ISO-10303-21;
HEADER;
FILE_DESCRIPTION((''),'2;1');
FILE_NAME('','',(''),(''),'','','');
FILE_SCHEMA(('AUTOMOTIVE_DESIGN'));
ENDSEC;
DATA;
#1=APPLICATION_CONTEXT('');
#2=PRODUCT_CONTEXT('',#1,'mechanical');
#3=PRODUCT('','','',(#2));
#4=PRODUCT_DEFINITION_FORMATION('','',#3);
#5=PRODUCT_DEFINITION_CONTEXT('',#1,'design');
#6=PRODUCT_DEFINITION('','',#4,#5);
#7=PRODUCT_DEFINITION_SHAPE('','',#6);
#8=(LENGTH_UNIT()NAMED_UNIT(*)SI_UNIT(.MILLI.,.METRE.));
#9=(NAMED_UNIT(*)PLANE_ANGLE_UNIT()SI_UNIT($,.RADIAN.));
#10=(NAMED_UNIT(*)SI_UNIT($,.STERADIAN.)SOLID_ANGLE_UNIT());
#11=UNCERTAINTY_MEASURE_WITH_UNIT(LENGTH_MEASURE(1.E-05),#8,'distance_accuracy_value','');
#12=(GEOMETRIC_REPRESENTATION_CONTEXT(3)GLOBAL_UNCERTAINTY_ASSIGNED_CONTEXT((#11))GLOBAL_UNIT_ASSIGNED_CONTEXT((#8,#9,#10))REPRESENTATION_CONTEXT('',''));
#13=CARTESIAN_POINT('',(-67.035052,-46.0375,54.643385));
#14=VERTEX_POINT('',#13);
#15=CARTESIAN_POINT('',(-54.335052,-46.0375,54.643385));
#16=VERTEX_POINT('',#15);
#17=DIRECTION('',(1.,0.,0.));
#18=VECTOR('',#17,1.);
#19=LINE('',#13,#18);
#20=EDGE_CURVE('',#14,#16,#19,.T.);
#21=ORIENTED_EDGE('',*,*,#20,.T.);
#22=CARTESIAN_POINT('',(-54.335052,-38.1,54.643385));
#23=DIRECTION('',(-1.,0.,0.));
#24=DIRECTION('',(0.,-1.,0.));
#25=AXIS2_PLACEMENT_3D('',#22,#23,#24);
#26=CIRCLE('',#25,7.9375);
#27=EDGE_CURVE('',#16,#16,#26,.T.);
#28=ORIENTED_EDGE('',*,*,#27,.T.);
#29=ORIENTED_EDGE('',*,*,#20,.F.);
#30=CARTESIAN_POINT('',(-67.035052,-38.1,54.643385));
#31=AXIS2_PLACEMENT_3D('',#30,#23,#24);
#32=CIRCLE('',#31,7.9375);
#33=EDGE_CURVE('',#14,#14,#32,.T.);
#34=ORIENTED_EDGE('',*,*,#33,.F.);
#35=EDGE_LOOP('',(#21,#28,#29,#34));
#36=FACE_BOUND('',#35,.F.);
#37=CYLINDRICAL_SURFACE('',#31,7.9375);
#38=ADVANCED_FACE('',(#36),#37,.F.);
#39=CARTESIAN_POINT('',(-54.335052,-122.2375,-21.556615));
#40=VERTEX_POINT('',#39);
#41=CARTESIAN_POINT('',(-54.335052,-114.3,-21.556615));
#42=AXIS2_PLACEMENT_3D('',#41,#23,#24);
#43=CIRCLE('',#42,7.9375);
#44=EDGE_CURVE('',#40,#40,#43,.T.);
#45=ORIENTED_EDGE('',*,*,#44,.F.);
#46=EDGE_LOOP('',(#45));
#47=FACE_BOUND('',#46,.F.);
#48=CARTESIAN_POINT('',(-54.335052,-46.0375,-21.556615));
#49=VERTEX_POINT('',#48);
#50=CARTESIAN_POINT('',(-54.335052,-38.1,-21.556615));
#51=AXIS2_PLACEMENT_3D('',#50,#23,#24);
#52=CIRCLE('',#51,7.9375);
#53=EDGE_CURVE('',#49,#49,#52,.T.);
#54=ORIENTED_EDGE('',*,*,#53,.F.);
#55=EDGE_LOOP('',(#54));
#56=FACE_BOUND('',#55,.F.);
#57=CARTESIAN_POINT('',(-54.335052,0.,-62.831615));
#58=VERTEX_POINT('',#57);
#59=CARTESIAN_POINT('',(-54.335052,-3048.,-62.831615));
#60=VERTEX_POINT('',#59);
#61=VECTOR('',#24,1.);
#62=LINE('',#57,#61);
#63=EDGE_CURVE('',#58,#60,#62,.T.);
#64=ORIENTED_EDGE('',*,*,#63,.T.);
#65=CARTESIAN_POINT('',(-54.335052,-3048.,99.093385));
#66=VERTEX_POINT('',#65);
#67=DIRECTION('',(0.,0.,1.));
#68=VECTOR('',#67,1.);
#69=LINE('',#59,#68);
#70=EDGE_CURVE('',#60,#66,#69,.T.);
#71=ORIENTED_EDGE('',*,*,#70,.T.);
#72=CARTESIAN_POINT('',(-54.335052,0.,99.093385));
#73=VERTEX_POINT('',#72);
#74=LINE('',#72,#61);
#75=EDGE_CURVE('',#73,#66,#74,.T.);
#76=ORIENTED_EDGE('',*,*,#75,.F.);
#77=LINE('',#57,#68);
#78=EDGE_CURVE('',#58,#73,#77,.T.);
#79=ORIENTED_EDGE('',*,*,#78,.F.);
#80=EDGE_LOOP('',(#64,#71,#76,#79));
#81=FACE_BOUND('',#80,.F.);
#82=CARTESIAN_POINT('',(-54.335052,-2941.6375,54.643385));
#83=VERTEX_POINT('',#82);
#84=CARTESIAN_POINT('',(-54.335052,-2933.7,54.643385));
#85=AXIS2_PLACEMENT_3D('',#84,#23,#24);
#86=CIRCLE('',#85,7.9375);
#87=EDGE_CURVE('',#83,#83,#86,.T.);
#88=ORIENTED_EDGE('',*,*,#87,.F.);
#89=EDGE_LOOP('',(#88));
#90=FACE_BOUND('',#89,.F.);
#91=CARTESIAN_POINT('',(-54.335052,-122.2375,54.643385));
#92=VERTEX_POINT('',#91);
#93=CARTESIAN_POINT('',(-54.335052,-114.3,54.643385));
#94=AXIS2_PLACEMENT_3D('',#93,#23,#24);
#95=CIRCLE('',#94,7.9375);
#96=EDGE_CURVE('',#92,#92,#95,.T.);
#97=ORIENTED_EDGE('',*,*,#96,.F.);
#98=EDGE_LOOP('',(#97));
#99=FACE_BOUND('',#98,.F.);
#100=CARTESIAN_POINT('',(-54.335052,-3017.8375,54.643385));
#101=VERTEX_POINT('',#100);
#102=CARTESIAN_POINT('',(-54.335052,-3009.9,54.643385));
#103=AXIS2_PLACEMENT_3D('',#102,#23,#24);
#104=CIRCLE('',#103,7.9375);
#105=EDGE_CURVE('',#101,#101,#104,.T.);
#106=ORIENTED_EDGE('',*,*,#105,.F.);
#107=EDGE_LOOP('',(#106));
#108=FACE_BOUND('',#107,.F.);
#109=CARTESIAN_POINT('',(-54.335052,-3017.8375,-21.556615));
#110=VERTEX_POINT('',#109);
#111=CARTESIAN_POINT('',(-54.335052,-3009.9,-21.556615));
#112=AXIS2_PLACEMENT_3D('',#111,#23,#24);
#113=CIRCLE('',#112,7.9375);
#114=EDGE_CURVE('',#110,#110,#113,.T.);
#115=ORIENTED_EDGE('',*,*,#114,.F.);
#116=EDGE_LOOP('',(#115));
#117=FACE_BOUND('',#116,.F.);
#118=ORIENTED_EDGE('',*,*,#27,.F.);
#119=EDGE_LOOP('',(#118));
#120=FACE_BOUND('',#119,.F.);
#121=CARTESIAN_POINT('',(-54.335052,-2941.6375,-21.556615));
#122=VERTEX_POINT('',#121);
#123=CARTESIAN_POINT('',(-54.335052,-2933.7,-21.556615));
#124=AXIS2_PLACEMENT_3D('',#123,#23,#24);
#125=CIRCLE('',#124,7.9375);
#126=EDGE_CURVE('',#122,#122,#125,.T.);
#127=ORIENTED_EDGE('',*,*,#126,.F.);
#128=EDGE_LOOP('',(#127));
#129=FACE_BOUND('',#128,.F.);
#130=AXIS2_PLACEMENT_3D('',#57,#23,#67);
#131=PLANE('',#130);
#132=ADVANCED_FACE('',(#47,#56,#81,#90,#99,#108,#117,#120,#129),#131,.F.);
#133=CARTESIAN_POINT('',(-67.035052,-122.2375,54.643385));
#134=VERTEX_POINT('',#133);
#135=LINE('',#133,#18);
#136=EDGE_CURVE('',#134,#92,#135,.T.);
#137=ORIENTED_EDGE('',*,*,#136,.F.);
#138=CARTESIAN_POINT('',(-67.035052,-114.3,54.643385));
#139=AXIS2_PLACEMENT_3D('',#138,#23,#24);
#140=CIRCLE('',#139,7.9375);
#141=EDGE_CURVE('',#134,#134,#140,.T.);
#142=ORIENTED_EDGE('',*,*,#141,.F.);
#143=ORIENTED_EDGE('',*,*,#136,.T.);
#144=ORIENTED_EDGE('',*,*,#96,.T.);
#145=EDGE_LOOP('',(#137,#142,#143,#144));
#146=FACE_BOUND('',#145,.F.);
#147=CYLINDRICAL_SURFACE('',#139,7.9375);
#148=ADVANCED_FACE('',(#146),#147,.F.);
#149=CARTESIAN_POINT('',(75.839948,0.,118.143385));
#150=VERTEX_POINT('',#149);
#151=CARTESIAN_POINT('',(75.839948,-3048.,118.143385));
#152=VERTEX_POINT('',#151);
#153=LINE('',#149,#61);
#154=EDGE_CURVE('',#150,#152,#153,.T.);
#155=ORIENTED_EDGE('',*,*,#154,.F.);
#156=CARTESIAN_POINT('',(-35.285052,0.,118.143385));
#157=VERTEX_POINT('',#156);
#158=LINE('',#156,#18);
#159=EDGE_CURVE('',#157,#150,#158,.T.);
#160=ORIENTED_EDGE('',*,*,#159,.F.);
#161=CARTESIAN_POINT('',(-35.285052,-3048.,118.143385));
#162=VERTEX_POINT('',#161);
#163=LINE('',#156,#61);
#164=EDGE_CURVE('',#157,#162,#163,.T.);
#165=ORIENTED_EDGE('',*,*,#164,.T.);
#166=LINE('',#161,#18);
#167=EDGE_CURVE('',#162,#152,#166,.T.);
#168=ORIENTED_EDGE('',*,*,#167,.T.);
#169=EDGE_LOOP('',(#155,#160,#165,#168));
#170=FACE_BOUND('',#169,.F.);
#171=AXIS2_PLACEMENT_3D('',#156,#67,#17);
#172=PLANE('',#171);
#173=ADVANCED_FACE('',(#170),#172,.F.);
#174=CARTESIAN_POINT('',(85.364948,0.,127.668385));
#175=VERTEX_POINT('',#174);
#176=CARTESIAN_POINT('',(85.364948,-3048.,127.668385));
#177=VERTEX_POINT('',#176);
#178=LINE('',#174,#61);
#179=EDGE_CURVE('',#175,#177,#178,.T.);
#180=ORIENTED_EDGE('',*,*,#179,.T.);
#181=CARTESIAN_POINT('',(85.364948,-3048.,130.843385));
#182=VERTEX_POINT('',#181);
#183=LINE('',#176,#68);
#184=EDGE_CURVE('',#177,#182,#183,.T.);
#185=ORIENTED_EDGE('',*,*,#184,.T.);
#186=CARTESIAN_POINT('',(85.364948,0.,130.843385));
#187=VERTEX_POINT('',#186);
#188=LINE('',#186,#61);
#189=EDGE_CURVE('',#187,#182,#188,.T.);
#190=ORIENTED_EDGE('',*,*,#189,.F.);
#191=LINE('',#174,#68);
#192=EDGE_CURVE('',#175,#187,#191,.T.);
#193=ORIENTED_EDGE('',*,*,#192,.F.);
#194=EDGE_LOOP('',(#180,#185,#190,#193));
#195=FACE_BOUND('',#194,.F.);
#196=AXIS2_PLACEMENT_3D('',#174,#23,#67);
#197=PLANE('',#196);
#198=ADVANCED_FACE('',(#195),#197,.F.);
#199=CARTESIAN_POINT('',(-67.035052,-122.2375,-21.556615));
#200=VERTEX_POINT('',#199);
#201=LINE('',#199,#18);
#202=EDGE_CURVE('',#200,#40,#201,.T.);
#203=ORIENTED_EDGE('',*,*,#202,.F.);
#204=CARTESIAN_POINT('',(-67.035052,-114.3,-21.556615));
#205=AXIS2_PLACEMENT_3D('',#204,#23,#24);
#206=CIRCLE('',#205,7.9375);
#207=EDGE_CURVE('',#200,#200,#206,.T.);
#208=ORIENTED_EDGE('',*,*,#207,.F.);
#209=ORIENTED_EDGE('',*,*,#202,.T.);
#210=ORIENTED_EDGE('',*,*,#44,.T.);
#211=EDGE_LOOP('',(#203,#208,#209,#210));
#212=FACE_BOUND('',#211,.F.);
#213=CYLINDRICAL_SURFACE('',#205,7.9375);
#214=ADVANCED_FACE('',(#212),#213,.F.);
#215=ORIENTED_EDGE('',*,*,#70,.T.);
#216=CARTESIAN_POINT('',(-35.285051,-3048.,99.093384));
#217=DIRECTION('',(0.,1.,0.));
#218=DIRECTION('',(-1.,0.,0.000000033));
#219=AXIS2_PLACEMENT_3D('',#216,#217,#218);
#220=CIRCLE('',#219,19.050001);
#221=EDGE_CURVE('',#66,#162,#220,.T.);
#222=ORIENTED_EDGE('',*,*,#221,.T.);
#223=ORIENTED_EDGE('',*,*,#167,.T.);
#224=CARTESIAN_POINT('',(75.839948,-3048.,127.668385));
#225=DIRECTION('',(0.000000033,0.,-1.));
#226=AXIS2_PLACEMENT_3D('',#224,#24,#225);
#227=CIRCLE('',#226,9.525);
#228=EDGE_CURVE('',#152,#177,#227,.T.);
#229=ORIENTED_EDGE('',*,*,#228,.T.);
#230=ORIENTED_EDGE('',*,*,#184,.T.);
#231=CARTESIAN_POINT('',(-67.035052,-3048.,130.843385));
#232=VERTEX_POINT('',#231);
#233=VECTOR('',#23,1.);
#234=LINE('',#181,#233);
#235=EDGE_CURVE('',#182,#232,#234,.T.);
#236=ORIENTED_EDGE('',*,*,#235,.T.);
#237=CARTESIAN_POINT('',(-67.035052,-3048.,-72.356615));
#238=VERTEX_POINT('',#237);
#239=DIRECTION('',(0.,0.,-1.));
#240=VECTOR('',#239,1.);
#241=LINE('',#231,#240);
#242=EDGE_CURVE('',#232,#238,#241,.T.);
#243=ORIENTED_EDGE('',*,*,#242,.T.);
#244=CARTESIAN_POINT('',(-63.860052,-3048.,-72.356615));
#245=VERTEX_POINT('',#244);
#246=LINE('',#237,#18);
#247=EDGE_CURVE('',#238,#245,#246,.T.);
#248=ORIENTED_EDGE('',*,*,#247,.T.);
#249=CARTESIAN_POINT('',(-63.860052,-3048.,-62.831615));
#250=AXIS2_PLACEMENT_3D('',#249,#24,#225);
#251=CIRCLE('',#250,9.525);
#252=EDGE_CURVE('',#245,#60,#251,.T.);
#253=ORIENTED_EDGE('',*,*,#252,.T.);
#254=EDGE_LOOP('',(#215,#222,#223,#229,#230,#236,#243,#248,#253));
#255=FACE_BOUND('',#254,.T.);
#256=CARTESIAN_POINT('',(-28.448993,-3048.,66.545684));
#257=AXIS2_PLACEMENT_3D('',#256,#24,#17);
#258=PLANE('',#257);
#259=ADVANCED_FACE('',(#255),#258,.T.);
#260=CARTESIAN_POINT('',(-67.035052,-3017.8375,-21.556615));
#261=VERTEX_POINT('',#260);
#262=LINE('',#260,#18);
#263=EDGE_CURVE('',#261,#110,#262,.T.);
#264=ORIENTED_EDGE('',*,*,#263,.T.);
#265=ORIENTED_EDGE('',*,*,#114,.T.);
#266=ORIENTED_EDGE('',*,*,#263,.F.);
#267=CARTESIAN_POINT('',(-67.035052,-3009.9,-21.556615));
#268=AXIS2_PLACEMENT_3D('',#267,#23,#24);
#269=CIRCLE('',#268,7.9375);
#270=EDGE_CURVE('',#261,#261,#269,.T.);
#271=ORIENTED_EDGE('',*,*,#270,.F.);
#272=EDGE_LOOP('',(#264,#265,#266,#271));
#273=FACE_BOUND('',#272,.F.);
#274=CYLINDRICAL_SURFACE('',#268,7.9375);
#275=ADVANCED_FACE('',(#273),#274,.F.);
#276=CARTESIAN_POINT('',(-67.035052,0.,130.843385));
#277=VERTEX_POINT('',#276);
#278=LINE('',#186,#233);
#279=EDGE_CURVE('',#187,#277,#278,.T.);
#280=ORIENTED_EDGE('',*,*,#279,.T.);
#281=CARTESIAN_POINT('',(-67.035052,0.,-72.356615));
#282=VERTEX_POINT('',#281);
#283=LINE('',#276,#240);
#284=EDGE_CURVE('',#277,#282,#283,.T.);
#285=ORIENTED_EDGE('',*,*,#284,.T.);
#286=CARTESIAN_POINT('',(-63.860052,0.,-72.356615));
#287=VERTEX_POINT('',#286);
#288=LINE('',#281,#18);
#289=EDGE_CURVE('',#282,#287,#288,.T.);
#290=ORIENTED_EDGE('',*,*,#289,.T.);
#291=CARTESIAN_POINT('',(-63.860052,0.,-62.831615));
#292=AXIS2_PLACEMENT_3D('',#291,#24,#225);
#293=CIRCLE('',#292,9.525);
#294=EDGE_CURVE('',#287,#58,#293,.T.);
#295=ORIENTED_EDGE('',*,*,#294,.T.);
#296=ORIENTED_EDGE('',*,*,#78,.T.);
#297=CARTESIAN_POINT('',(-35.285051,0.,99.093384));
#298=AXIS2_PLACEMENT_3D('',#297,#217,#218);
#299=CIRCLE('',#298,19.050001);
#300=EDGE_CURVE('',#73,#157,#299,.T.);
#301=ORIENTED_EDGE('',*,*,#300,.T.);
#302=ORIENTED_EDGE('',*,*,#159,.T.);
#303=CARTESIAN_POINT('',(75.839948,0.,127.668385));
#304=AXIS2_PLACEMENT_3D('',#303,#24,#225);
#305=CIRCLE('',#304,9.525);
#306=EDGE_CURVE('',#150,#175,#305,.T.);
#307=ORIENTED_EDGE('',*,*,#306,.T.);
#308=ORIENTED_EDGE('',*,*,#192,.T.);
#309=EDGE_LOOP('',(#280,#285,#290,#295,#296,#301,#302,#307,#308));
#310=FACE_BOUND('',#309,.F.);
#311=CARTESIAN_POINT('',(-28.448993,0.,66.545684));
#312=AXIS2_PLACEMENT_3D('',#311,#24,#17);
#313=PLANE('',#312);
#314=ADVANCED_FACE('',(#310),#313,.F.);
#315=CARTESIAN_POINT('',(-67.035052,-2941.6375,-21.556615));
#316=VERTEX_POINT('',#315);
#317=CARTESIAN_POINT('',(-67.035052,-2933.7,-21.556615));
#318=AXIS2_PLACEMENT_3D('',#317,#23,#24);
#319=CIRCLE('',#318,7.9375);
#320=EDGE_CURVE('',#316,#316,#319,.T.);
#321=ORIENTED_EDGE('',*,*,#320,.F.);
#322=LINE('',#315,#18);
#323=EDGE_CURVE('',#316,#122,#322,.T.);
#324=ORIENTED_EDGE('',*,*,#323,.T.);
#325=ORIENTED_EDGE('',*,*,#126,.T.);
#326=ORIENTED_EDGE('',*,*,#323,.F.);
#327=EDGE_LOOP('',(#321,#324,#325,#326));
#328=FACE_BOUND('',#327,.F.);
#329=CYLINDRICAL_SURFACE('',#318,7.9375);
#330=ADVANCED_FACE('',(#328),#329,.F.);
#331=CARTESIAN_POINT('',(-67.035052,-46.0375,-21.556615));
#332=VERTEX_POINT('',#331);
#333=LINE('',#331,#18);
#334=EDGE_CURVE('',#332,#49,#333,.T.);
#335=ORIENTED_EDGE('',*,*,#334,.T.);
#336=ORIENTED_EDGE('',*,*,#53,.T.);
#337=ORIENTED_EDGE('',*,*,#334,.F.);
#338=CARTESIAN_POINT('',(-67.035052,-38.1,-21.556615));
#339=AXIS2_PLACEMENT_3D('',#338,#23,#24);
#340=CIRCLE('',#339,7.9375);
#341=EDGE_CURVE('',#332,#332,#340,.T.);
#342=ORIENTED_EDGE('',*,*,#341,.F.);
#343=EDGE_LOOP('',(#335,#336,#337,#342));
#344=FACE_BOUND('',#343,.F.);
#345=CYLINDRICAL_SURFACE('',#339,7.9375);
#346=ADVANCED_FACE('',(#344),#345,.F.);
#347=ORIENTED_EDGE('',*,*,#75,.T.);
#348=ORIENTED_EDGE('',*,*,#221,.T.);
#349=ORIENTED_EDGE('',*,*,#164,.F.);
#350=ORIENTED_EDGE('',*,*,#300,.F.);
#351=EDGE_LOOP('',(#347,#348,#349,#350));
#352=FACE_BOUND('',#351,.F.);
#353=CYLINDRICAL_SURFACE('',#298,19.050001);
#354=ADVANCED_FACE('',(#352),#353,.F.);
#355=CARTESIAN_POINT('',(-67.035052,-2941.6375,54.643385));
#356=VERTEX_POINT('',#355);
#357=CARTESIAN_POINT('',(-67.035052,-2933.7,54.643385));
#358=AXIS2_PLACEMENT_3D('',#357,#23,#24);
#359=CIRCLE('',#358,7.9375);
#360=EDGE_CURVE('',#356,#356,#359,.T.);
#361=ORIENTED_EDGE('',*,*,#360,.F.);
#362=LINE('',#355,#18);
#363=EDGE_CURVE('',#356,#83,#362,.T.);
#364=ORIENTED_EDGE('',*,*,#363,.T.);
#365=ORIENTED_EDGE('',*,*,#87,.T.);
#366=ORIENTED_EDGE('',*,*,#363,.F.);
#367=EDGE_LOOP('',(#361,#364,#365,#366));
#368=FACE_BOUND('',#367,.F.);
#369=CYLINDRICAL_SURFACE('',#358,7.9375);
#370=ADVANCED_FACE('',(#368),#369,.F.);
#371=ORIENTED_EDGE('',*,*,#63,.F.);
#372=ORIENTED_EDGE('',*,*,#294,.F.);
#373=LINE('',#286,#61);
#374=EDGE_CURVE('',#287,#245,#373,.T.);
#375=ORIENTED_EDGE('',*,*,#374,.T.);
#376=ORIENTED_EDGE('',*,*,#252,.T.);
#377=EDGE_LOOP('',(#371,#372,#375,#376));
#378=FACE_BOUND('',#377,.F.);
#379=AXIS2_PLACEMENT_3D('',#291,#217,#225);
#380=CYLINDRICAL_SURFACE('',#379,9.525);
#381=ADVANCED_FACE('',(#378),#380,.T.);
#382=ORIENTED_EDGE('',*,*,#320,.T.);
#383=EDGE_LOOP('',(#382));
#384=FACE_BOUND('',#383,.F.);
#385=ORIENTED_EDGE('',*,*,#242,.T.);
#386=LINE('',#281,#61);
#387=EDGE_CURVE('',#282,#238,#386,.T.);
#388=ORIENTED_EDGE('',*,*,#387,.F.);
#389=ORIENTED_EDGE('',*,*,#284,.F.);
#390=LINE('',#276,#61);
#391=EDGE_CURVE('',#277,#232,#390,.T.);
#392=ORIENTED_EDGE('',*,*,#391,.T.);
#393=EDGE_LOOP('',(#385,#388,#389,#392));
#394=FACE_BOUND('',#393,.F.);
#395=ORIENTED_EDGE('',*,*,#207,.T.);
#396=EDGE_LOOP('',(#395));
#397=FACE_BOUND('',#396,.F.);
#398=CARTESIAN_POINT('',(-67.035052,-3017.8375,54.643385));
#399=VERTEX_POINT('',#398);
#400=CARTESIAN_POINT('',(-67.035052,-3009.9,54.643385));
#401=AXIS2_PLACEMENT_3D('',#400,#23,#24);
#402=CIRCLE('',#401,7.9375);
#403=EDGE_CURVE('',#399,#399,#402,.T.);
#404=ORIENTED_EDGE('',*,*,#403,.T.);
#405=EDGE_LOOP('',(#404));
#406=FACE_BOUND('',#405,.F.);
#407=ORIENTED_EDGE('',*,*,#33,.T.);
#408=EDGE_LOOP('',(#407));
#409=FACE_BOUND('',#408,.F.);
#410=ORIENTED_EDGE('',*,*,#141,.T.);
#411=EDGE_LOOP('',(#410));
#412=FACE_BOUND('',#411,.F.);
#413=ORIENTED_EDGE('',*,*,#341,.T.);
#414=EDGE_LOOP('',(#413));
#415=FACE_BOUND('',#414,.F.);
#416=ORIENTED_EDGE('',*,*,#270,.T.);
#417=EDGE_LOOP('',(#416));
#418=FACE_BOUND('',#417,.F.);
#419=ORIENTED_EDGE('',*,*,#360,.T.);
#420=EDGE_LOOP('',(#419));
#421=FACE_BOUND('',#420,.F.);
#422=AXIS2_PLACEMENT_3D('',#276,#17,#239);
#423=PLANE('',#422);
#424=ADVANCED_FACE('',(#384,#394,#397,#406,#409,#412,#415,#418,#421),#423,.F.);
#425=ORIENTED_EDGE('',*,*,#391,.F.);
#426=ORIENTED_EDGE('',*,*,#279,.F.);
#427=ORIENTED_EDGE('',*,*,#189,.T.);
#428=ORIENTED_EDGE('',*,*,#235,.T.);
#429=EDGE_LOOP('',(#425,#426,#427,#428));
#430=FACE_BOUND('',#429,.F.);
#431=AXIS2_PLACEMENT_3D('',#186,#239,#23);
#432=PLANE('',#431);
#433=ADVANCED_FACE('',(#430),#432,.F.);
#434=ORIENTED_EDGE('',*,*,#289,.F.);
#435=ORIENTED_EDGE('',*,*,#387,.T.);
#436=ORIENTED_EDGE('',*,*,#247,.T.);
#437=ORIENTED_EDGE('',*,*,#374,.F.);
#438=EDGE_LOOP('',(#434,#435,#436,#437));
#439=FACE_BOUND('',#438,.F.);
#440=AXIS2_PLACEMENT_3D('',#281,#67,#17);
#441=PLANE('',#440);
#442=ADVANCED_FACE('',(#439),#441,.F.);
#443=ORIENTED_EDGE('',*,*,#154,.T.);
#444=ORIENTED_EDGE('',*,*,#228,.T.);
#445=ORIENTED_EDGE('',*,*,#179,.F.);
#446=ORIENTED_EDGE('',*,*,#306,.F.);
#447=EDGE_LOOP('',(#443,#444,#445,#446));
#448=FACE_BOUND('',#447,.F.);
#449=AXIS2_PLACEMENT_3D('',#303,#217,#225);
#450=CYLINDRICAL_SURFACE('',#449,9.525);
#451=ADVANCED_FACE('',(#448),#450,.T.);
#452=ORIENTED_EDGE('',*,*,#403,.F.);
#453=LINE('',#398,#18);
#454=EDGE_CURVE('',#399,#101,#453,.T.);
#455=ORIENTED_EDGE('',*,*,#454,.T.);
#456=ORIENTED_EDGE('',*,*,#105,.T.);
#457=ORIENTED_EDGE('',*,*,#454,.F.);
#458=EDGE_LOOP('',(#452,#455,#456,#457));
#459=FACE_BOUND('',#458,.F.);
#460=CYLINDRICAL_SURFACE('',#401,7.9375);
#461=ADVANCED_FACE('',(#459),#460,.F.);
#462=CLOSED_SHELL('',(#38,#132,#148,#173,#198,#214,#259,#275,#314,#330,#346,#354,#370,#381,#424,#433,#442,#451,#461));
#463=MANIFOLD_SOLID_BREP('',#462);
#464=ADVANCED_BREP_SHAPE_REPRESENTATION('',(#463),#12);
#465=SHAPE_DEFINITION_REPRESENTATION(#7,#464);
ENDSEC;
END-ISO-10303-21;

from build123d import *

# Parameters (mm, degrees)
F1_DEPTH = 3048
F2_R     = 7.9375
F3_DEPTH = 25.4


with BuildPart() as f1:
    # F0 (on Front) → F1 (new body)
    with BuildSketch(Plane.XZ):
        with BuildLine():
            Line((85.364948, 130.843385), (-67.035052, 130.843385))
            Line((-67.035052, 130.843385), (-67.035052, -72.356615))
            Line((-67.035052, -72.356615), (-63.860052, -72.356615))
            ThreePointArc((-63.860052, -72.356615), (-57.12486, -69.566807), (-54.335052, -62.831615))
            Line((-54.335052, -62.831615), (-54.335052, 99.093385))
            ThreePointArc((-54.335052, 99.093385), (-48.755436, 112.563769), (-35.285052, 118.143385))
            Line((-35.285052, 118.143385), (75.839948, 118.143385))
            ThreePointArc((75.839948, 118.143385), (82.57514, 120.933193), (85.364948, 127.668385))
            Line((85.364948, 127.668385), (85.364948, 130.843385))
        make_face()
    extrude(amount=F1_DEPTH)

    # F2 (on face) → F3 (cut)
    with BuildSketch(Plane(origin=(-67.035052, 0, 0), x_dir=(0, -1, 0), z_dir=(-1, 0, 0))):
        with Locations((38.1, 54.643385)):
            Circle(F2_R)
        with Locations((114.3, 54.643385)):
            Circle(F2_R)
        with Locations((38.1, -21.556615)):
            Circle(F2_R)
        with Locations((114.3, -21.556615)):
            Circle(F2_R)
        with Locations((2933.7, 54.643385)):
            Circle(F2_R)
        with Locations((3009.9, 54.643385)):
            Circle(F2_R)
        with Locations((3009.9, -21.556615)):
            Circle(F2_R)
        with Locations((2933.7, -21.556615)):
            Circle(F2_R)
    extrude(amount=-F3_DEPTH, mode=Mode.SUBTRACT)


solid = f1.part
